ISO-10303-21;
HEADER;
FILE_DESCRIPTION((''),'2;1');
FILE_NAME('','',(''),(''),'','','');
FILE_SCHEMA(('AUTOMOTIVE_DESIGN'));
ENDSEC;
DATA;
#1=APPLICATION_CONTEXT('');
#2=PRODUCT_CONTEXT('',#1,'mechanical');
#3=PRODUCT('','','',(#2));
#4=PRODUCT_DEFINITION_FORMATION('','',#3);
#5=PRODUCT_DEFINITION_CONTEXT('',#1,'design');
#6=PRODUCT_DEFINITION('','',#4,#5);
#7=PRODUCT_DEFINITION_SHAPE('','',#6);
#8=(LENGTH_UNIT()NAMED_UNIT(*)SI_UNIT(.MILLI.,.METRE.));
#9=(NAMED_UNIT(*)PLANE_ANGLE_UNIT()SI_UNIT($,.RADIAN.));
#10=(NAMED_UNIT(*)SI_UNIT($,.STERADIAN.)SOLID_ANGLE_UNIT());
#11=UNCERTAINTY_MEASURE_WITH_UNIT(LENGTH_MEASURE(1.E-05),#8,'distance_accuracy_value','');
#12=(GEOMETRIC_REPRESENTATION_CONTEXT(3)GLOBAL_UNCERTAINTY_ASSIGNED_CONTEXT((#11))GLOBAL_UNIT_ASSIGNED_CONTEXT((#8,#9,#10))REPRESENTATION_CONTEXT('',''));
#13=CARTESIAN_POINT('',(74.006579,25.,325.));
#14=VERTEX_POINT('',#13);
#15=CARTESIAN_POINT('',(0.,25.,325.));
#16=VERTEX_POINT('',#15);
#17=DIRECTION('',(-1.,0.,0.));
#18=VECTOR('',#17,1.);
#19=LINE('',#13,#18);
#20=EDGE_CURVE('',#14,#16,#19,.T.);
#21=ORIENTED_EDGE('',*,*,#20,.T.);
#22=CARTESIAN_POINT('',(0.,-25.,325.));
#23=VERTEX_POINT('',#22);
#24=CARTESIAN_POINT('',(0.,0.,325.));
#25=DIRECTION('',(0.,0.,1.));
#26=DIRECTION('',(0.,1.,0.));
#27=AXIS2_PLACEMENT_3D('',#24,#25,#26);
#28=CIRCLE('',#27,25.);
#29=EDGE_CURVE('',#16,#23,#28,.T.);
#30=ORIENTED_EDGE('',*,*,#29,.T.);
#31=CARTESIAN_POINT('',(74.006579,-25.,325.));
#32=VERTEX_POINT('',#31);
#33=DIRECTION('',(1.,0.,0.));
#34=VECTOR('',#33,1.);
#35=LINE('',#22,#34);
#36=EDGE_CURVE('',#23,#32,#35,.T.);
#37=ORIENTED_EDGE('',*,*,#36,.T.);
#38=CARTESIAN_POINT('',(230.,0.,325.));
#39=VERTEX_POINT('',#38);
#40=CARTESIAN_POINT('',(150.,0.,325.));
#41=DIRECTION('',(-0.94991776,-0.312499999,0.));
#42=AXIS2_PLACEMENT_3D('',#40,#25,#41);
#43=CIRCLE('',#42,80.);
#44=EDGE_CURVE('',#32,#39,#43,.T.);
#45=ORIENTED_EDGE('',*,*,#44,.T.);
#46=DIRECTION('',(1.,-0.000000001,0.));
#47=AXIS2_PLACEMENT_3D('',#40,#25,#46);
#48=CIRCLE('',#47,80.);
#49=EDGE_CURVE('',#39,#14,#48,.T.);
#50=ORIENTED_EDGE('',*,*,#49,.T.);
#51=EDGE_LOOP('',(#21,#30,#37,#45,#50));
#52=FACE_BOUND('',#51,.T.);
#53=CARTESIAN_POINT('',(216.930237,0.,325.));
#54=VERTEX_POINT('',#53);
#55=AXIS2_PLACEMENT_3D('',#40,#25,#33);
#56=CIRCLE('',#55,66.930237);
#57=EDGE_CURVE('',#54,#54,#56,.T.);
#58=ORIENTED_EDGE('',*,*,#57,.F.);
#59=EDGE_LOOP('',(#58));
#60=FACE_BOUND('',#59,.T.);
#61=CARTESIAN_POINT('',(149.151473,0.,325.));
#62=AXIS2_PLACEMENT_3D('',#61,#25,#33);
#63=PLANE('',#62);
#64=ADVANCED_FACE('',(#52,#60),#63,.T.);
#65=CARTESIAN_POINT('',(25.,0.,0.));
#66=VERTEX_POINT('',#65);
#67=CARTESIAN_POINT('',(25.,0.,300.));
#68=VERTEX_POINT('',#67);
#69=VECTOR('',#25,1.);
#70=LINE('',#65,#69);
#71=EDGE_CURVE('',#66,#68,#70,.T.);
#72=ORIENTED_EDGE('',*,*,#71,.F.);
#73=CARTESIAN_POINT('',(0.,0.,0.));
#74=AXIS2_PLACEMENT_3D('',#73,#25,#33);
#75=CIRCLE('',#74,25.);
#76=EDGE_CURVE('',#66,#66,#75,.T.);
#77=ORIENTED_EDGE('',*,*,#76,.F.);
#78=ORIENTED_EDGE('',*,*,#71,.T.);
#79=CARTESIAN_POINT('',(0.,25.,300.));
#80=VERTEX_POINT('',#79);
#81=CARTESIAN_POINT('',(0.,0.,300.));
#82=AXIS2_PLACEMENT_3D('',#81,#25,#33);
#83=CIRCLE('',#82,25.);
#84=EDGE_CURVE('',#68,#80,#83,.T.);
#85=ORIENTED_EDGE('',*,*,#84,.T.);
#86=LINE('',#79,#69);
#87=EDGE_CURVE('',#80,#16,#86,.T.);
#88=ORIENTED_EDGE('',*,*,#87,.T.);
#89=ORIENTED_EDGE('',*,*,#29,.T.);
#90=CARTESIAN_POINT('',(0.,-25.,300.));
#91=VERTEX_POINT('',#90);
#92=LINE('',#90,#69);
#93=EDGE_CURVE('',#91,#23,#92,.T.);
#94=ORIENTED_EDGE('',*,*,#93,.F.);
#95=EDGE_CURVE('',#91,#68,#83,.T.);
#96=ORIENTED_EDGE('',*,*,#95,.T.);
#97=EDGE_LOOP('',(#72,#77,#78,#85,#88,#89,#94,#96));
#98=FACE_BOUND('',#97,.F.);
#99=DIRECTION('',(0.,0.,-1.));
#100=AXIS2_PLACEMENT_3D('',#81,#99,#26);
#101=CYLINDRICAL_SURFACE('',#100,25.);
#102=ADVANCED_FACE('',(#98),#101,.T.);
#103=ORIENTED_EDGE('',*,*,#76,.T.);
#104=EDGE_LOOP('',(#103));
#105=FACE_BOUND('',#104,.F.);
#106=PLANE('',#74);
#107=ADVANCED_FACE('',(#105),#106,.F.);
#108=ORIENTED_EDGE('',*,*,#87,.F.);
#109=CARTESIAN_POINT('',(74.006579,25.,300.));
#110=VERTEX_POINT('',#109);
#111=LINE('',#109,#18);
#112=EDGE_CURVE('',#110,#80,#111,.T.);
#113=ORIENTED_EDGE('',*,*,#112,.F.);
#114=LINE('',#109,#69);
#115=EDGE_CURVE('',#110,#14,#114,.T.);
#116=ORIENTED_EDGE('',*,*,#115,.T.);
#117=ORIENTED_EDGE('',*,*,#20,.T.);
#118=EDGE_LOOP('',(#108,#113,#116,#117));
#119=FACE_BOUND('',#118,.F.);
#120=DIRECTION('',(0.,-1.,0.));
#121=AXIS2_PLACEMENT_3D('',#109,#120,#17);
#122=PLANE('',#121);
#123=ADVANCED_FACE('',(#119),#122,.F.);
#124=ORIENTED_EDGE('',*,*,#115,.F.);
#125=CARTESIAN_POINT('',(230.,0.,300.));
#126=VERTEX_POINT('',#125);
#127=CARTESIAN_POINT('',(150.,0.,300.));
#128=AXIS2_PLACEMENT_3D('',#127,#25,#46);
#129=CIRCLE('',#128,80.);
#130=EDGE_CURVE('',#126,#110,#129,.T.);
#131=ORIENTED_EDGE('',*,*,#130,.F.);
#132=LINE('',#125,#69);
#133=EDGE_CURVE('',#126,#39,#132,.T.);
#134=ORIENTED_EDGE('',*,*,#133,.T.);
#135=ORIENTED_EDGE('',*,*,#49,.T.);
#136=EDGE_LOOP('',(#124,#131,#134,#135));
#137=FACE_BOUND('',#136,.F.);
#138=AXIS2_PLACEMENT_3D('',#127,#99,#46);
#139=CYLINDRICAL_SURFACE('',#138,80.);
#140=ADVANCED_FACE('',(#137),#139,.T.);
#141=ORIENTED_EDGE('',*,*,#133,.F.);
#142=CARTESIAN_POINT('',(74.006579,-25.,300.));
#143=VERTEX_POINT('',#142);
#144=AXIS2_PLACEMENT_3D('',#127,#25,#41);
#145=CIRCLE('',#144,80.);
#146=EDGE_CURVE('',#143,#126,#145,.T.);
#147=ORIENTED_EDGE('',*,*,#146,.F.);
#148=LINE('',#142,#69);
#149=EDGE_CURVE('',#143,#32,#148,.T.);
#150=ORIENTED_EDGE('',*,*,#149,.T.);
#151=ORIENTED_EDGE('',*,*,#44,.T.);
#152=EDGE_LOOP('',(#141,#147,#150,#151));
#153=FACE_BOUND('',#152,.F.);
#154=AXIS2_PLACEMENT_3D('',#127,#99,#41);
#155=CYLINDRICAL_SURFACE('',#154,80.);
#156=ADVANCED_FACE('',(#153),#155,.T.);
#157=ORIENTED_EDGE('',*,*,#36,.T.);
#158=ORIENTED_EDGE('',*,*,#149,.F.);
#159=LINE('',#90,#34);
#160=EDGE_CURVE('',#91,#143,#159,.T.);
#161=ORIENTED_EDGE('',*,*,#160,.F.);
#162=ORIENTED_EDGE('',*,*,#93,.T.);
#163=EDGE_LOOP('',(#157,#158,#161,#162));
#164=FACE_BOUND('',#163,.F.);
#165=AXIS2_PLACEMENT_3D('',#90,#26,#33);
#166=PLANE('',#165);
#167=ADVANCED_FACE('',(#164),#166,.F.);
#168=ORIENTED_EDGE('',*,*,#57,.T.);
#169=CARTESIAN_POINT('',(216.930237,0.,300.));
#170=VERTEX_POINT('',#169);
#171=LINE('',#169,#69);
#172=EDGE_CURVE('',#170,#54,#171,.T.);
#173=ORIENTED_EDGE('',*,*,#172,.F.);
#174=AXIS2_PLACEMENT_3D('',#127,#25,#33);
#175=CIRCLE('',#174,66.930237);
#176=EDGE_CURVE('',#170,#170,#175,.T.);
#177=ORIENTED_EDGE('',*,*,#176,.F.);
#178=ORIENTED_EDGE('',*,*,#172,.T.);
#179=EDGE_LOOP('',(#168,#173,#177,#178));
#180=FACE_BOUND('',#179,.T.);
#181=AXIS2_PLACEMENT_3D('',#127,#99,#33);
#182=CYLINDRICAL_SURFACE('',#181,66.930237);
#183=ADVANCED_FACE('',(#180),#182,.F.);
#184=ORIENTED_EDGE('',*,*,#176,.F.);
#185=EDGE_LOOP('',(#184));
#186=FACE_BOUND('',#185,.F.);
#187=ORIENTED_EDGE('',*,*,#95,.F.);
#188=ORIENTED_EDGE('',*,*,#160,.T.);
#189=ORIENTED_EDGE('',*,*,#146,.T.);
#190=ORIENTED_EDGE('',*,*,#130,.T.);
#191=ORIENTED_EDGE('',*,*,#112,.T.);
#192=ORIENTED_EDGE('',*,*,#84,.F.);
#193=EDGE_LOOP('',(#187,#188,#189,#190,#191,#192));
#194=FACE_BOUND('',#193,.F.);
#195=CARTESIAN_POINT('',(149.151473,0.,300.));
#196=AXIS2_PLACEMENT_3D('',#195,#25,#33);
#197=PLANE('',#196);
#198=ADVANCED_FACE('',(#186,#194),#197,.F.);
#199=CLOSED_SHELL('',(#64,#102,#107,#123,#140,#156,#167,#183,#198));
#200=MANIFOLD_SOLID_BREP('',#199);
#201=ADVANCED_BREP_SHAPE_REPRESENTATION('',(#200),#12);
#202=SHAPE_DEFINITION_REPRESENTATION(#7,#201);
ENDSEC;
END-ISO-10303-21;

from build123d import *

# Parameters (mm, degrees)
F0_R     = 25
F1_DEPTH = 300
F2_R     = 66.930237
F3_DEPTH = 25


with BuildPart() as f1:
    # F0 (on Top) → F1 (new body)
    with BuildSketch(Plane.XY):
        Circle(F0_R)
    extrude(amount=F1_DEPTH)

    # F2 (on face) → F3 (join)
    with BuildSketch(Plane.XY.offset(300)):
        with BuildLine():
            ThreePointArc((74.006579, -25), (162.659509, -78.992005), (230, 0))
            ThreePointArc((230, 0), (162.659509, 78.992005), (74.006579, 25))
            ThreePointArc((74.006579, 25), (70, 0), (74.006579, -25))
        make_face()
        with Locations((150, 0)):
            Circle(F2_R, mode=Mode.SUBTRACT)
        with BuildLine():
            ThreePointArc((74.006579, -25), (70, 0), (74.006579, 25))
            Line((74.006579, 25), (0, 25))
            ThreePointArc((0, 25), (-25, 0), (0, -25))
            Line((0, -25), (74.006579, -25))
        make_face()
    extrude(amount=F3_DEPTH)


solid = f1.part
